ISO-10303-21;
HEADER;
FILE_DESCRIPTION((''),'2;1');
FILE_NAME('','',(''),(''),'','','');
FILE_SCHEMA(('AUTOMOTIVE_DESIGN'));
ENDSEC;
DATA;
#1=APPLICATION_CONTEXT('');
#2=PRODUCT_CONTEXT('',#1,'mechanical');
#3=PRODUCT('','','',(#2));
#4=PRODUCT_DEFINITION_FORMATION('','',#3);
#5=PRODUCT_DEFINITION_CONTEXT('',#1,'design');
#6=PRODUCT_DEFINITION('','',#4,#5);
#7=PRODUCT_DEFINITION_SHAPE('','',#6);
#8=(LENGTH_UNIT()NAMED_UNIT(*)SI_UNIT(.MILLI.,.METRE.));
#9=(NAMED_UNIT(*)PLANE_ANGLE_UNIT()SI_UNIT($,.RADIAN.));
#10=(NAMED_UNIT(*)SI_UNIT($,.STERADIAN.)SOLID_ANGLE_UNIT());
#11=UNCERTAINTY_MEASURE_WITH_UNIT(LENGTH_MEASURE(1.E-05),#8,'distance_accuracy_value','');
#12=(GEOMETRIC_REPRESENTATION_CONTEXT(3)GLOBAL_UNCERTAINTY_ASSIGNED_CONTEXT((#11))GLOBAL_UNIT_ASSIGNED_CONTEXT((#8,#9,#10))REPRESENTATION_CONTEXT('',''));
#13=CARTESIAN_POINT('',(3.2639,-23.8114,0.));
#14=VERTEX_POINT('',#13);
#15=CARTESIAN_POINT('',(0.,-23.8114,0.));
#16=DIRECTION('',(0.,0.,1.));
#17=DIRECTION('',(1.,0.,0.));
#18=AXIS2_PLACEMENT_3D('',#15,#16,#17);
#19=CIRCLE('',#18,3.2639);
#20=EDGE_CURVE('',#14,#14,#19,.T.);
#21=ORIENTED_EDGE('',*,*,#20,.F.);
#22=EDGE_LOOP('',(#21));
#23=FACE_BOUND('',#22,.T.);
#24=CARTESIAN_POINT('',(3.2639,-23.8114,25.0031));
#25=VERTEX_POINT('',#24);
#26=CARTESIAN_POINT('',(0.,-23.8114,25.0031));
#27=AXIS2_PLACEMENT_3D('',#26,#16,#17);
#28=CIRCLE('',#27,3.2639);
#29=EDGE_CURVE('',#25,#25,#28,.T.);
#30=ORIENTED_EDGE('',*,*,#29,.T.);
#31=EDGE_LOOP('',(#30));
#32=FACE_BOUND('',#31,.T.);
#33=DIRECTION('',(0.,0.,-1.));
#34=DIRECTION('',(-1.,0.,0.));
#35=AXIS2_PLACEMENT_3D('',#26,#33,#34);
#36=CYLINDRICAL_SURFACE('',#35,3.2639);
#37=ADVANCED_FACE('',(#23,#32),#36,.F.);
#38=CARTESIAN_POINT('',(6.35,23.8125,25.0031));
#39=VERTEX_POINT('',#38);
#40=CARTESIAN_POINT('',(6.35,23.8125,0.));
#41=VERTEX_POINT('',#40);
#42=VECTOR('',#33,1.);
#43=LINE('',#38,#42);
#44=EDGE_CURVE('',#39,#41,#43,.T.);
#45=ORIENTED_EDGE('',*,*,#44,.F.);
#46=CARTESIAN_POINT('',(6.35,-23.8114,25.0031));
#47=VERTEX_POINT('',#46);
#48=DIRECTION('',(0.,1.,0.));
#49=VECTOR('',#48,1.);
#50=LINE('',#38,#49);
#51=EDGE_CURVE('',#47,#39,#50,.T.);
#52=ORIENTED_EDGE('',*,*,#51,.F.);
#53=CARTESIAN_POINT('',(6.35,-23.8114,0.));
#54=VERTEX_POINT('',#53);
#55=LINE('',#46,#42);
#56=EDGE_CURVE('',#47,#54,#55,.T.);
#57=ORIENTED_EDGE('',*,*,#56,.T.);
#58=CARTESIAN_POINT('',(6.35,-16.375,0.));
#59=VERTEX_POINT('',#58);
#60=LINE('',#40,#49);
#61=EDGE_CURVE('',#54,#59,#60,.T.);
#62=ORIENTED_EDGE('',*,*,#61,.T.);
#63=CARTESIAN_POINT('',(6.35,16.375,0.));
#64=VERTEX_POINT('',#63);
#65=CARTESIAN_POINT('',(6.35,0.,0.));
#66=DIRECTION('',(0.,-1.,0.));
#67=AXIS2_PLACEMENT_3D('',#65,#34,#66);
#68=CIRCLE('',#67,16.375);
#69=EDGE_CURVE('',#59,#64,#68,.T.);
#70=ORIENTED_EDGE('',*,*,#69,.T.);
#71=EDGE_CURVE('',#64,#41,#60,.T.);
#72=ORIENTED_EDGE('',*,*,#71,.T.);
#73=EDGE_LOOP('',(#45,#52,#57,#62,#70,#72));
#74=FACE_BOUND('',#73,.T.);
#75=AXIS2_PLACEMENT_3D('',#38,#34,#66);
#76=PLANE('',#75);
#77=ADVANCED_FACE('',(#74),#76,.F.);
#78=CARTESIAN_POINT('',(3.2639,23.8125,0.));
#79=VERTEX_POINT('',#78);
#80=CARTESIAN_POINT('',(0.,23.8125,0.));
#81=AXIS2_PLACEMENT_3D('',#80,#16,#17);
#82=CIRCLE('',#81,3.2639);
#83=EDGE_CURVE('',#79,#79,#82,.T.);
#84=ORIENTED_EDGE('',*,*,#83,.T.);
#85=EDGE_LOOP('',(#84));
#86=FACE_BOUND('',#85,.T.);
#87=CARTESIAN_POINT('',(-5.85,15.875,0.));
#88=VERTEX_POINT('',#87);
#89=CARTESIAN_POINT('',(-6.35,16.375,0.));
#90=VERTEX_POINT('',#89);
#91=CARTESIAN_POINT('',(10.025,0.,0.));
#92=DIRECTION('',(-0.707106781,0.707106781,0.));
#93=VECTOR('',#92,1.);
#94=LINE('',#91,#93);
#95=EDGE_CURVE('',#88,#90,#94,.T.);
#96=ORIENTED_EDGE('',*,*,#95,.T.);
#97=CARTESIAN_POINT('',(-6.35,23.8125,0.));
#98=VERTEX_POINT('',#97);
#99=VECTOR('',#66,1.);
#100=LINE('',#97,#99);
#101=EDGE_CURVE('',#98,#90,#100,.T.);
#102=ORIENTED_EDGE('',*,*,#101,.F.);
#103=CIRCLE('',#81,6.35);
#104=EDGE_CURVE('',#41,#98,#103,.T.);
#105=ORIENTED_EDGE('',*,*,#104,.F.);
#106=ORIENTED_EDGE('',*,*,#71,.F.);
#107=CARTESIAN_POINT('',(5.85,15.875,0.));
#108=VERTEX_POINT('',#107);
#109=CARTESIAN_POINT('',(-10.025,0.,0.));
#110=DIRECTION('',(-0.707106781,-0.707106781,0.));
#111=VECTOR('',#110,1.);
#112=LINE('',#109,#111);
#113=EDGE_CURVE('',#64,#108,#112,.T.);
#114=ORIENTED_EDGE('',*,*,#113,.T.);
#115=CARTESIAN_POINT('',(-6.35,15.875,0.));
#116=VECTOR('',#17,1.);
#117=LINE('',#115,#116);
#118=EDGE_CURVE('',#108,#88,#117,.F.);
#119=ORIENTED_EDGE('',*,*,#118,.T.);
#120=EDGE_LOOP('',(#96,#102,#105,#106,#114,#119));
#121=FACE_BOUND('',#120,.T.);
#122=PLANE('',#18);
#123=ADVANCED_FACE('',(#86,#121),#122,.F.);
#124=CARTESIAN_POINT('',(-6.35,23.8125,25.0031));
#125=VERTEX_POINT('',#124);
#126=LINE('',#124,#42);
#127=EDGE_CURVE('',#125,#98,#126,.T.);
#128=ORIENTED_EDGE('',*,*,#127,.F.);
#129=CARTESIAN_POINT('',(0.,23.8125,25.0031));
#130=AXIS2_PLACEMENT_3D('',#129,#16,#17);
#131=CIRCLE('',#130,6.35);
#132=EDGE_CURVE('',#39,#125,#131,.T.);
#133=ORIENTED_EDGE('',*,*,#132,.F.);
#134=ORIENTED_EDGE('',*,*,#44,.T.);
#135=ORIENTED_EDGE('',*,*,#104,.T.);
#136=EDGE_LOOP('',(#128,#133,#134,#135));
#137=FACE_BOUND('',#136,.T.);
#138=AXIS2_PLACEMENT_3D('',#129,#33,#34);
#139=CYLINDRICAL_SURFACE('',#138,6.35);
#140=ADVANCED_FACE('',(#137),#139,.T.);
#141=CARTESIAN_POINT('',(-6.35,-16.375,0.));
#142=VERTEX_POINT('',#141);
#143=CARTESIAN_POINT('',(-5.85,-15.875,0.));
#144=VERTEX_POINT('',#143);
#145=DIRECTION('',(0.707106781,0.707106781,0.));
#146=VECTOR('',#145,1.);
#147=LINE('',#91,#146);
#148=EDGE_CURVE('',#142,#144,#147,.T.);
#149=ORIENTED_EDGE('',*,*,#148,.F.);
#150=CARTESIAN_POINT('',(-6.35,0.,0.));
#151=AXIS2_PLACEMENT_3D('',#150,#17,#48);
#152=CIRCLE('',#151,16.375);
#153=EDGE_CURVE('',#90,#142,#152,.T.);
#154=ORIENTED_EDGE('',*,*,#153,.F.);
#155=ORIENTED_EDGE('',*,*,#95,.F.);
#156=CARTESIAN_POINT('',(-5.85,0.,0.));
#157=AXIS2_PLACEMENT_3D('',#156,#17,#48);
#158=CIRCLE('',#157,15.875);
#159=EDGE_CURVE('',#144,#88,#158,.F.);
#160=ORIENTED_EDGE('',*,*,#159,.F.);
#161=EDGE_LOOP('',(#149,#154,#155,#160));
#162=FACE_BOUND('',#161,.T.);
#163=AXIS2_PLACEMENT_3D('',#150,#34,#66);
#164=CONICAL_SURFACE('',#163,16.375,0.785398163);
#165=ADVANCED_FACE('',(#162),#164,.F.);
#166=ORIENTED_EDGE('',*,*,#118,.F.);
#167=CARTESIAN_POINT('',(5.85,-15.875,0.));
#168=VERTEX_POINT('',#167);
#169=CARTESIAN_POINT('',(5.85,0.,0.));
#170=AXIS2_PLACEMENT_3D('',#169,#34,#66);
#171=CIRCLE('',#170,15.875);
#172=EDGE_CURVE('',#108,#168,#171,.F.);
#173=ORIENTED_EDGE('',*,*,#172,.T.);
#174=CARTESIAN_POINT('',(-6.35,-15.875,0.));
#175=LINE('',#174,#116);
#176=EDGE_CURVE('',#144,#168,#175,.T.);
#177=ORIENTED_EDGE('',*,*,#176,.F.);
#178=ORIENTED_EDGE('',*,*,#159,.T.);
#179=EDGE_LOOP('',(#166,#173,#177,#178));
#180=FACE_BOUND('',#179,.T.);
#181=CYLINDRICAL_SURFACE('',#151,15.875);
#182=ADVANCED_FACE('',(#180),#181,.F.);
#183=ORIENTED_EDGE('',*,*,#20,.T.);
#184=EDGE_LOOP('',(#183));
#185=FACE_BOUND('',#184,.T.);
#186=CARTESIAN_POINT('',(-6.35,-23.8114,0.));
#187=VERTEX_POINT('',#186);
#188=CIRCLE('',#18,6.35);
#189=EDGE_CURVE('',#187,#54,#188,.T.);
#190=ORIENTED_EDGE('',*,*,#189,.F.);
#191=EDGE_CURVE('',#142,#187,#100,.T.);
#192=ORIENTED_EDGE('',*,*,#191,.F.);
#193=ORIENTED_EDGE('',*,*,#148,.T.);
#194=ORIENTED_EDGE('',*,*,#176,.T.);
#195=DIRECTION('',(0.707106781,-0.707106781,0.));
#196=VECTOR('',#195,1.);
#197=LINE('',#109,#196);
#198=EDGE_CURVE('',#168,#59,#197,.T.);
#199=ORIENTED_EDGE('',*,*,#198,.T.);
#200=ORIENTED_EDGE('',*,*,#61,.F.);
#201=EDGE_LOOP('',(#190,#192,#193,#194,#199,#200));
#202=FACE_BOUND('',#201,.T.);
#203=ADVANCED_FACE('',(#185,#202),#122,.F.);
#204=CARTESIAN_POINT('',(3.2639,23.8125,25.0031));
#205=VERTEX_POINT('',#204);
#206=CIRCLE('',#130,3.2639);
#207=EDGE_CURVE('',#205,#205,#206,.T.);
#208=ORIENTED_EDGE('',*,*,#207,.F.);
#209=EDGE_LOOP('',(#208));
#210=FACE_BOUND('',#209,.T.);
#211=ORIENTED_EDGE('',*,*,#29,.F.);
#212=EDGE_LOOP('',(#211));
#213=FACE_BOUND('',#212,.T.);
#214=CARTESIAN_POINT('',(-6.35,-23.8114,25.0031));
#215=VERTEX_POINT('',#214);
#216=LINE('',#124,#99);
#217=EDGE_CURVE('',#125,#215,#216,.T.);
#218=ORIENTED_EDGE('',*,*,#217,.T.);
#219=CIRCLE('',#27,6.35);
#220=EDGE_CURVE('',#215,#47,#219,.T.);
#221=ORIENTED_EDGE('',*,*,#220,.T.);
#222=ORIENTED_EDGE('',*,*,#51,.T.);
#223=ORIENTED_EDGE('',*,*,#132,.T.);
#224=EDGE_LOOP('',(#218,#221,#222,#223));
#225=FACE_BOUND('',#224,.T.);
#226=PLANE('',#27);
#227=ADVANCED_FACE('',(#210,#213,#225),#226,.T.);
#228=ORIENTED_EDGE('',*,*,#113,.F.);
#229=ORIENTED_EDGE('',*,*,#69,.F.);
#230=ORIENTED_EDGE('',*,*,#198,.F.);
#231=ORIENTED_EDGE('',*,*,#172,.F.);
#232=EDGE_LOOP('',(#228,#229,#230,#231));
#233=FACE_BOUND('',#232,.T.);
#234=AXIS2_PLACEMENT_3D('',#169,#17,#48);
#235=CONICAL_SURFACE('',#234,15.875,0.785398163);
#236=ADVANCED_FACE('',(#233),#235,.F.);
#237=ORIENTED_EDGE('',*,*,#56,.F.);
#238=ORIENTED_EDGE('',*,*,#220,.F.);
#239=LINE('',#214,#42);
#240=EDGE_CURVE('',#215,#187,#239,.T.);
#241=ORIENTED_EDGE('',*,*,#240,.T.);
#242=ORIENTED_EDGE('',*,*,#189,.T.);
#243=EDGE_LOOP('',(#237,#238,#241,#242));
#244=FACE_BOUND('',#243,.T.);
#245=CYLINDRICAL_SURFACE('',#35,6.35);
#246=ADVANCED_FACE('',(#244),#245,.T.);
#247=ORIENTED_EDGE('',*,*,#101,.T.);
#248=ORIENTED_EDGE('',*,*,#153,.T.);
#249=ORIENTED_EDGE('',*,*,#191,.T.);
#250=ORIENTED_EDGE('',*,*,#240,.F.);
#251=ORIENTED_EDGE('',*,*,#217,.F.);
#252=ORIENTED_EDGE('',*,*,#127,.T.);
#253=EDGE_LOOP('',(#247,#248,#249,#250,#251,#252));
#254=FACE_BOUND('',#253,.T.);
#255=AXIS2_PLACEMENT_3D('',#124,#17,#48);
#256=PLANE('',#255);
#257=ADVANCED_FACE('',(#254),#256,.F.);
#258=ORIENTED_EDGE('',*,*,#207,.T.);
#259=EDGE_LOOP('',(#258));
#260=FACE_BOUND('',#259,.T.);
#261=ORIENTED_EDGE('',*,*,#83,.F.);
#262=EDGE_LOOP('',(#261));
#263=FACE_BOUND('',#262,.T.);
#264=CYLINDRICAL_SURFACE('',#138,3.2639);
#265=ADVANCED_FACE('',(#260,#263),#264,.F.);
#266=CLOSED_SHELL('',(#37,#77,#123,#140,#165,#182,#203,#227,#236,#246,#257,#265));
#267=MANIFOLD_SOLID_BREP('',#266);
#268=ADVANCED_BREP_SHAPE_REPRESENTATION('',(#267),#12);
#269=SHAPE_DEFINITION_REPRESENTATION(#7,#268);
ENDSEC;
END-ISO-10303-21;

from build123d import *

# Parameters (mm, degrees)
SKETCH2_R           = 3.2639
BOSS_EXTRUDE1_DEPTH = 25.0031
SKETCH3_R           = 15.875
CUT_EXTRUDE1_DEPTH  = 13.7
CHAMFER1_SIZE       = 0.5
CHAMFER2_SIZE       = 0.5


with BuildPart() as part:
    # Sketch2 → Boss-Extrude1 (new body)
    with BuildSketch(Plane.XY):
        with BuildLine():
            Line((-6.35, 23.8125), (-6.35, -23.8114))
            ThreePointArc((-6.35, -23.8114), (0, -30.1614), (6.35, -23.8114))
            Line((6.35, -23.8114), (6.35, 23.8125))
            ThreePointArc((6.35, 23.8125), (0, 30.1625), (-6.35, 23.8125))
        make_face()
        with Locations((0, -23.8114)):
            Circle(SKETCH2_R, mode=Mode.SUBTRACT)
        with Locations((0, 23.8125)):
            Circle(SKETCH2_R, mode=Mode.SUBTRACT)
    extrude(amount=BOSS_EXTRUDE1_DEPTH)

    # Sketch3 → Cut-Extrude1 (cut, through all)
    with BuildSketch(Plane(origin=(6.35, 0, 0), x_dir=(0, 0, -1), z_dir=(1, 0, 0))):
        Circle(SKETCH3_R)
    extrude(amount=-CUT_EXTRUDE1_DEPTH, mode=Mode.SUBTRACT)

    # Chamfer1
    chamfer1_edges = [part.edges().sort_by_distance(p)[0] for p in [
        (6.35, 0, 15.875),
    ]]
    chamfer(chamfer1_edges, length=CHAMFER1_SIZE)

    # Chamfer2
    chamfer2_edges = [part.edges().sort_by_distance(p)[0] for p in [
        (-6.35, 0, 15.875),
    ]]
    chamfer(chamfer2_edges, length=CHAMFER2_SIZE)


solid = part.part
